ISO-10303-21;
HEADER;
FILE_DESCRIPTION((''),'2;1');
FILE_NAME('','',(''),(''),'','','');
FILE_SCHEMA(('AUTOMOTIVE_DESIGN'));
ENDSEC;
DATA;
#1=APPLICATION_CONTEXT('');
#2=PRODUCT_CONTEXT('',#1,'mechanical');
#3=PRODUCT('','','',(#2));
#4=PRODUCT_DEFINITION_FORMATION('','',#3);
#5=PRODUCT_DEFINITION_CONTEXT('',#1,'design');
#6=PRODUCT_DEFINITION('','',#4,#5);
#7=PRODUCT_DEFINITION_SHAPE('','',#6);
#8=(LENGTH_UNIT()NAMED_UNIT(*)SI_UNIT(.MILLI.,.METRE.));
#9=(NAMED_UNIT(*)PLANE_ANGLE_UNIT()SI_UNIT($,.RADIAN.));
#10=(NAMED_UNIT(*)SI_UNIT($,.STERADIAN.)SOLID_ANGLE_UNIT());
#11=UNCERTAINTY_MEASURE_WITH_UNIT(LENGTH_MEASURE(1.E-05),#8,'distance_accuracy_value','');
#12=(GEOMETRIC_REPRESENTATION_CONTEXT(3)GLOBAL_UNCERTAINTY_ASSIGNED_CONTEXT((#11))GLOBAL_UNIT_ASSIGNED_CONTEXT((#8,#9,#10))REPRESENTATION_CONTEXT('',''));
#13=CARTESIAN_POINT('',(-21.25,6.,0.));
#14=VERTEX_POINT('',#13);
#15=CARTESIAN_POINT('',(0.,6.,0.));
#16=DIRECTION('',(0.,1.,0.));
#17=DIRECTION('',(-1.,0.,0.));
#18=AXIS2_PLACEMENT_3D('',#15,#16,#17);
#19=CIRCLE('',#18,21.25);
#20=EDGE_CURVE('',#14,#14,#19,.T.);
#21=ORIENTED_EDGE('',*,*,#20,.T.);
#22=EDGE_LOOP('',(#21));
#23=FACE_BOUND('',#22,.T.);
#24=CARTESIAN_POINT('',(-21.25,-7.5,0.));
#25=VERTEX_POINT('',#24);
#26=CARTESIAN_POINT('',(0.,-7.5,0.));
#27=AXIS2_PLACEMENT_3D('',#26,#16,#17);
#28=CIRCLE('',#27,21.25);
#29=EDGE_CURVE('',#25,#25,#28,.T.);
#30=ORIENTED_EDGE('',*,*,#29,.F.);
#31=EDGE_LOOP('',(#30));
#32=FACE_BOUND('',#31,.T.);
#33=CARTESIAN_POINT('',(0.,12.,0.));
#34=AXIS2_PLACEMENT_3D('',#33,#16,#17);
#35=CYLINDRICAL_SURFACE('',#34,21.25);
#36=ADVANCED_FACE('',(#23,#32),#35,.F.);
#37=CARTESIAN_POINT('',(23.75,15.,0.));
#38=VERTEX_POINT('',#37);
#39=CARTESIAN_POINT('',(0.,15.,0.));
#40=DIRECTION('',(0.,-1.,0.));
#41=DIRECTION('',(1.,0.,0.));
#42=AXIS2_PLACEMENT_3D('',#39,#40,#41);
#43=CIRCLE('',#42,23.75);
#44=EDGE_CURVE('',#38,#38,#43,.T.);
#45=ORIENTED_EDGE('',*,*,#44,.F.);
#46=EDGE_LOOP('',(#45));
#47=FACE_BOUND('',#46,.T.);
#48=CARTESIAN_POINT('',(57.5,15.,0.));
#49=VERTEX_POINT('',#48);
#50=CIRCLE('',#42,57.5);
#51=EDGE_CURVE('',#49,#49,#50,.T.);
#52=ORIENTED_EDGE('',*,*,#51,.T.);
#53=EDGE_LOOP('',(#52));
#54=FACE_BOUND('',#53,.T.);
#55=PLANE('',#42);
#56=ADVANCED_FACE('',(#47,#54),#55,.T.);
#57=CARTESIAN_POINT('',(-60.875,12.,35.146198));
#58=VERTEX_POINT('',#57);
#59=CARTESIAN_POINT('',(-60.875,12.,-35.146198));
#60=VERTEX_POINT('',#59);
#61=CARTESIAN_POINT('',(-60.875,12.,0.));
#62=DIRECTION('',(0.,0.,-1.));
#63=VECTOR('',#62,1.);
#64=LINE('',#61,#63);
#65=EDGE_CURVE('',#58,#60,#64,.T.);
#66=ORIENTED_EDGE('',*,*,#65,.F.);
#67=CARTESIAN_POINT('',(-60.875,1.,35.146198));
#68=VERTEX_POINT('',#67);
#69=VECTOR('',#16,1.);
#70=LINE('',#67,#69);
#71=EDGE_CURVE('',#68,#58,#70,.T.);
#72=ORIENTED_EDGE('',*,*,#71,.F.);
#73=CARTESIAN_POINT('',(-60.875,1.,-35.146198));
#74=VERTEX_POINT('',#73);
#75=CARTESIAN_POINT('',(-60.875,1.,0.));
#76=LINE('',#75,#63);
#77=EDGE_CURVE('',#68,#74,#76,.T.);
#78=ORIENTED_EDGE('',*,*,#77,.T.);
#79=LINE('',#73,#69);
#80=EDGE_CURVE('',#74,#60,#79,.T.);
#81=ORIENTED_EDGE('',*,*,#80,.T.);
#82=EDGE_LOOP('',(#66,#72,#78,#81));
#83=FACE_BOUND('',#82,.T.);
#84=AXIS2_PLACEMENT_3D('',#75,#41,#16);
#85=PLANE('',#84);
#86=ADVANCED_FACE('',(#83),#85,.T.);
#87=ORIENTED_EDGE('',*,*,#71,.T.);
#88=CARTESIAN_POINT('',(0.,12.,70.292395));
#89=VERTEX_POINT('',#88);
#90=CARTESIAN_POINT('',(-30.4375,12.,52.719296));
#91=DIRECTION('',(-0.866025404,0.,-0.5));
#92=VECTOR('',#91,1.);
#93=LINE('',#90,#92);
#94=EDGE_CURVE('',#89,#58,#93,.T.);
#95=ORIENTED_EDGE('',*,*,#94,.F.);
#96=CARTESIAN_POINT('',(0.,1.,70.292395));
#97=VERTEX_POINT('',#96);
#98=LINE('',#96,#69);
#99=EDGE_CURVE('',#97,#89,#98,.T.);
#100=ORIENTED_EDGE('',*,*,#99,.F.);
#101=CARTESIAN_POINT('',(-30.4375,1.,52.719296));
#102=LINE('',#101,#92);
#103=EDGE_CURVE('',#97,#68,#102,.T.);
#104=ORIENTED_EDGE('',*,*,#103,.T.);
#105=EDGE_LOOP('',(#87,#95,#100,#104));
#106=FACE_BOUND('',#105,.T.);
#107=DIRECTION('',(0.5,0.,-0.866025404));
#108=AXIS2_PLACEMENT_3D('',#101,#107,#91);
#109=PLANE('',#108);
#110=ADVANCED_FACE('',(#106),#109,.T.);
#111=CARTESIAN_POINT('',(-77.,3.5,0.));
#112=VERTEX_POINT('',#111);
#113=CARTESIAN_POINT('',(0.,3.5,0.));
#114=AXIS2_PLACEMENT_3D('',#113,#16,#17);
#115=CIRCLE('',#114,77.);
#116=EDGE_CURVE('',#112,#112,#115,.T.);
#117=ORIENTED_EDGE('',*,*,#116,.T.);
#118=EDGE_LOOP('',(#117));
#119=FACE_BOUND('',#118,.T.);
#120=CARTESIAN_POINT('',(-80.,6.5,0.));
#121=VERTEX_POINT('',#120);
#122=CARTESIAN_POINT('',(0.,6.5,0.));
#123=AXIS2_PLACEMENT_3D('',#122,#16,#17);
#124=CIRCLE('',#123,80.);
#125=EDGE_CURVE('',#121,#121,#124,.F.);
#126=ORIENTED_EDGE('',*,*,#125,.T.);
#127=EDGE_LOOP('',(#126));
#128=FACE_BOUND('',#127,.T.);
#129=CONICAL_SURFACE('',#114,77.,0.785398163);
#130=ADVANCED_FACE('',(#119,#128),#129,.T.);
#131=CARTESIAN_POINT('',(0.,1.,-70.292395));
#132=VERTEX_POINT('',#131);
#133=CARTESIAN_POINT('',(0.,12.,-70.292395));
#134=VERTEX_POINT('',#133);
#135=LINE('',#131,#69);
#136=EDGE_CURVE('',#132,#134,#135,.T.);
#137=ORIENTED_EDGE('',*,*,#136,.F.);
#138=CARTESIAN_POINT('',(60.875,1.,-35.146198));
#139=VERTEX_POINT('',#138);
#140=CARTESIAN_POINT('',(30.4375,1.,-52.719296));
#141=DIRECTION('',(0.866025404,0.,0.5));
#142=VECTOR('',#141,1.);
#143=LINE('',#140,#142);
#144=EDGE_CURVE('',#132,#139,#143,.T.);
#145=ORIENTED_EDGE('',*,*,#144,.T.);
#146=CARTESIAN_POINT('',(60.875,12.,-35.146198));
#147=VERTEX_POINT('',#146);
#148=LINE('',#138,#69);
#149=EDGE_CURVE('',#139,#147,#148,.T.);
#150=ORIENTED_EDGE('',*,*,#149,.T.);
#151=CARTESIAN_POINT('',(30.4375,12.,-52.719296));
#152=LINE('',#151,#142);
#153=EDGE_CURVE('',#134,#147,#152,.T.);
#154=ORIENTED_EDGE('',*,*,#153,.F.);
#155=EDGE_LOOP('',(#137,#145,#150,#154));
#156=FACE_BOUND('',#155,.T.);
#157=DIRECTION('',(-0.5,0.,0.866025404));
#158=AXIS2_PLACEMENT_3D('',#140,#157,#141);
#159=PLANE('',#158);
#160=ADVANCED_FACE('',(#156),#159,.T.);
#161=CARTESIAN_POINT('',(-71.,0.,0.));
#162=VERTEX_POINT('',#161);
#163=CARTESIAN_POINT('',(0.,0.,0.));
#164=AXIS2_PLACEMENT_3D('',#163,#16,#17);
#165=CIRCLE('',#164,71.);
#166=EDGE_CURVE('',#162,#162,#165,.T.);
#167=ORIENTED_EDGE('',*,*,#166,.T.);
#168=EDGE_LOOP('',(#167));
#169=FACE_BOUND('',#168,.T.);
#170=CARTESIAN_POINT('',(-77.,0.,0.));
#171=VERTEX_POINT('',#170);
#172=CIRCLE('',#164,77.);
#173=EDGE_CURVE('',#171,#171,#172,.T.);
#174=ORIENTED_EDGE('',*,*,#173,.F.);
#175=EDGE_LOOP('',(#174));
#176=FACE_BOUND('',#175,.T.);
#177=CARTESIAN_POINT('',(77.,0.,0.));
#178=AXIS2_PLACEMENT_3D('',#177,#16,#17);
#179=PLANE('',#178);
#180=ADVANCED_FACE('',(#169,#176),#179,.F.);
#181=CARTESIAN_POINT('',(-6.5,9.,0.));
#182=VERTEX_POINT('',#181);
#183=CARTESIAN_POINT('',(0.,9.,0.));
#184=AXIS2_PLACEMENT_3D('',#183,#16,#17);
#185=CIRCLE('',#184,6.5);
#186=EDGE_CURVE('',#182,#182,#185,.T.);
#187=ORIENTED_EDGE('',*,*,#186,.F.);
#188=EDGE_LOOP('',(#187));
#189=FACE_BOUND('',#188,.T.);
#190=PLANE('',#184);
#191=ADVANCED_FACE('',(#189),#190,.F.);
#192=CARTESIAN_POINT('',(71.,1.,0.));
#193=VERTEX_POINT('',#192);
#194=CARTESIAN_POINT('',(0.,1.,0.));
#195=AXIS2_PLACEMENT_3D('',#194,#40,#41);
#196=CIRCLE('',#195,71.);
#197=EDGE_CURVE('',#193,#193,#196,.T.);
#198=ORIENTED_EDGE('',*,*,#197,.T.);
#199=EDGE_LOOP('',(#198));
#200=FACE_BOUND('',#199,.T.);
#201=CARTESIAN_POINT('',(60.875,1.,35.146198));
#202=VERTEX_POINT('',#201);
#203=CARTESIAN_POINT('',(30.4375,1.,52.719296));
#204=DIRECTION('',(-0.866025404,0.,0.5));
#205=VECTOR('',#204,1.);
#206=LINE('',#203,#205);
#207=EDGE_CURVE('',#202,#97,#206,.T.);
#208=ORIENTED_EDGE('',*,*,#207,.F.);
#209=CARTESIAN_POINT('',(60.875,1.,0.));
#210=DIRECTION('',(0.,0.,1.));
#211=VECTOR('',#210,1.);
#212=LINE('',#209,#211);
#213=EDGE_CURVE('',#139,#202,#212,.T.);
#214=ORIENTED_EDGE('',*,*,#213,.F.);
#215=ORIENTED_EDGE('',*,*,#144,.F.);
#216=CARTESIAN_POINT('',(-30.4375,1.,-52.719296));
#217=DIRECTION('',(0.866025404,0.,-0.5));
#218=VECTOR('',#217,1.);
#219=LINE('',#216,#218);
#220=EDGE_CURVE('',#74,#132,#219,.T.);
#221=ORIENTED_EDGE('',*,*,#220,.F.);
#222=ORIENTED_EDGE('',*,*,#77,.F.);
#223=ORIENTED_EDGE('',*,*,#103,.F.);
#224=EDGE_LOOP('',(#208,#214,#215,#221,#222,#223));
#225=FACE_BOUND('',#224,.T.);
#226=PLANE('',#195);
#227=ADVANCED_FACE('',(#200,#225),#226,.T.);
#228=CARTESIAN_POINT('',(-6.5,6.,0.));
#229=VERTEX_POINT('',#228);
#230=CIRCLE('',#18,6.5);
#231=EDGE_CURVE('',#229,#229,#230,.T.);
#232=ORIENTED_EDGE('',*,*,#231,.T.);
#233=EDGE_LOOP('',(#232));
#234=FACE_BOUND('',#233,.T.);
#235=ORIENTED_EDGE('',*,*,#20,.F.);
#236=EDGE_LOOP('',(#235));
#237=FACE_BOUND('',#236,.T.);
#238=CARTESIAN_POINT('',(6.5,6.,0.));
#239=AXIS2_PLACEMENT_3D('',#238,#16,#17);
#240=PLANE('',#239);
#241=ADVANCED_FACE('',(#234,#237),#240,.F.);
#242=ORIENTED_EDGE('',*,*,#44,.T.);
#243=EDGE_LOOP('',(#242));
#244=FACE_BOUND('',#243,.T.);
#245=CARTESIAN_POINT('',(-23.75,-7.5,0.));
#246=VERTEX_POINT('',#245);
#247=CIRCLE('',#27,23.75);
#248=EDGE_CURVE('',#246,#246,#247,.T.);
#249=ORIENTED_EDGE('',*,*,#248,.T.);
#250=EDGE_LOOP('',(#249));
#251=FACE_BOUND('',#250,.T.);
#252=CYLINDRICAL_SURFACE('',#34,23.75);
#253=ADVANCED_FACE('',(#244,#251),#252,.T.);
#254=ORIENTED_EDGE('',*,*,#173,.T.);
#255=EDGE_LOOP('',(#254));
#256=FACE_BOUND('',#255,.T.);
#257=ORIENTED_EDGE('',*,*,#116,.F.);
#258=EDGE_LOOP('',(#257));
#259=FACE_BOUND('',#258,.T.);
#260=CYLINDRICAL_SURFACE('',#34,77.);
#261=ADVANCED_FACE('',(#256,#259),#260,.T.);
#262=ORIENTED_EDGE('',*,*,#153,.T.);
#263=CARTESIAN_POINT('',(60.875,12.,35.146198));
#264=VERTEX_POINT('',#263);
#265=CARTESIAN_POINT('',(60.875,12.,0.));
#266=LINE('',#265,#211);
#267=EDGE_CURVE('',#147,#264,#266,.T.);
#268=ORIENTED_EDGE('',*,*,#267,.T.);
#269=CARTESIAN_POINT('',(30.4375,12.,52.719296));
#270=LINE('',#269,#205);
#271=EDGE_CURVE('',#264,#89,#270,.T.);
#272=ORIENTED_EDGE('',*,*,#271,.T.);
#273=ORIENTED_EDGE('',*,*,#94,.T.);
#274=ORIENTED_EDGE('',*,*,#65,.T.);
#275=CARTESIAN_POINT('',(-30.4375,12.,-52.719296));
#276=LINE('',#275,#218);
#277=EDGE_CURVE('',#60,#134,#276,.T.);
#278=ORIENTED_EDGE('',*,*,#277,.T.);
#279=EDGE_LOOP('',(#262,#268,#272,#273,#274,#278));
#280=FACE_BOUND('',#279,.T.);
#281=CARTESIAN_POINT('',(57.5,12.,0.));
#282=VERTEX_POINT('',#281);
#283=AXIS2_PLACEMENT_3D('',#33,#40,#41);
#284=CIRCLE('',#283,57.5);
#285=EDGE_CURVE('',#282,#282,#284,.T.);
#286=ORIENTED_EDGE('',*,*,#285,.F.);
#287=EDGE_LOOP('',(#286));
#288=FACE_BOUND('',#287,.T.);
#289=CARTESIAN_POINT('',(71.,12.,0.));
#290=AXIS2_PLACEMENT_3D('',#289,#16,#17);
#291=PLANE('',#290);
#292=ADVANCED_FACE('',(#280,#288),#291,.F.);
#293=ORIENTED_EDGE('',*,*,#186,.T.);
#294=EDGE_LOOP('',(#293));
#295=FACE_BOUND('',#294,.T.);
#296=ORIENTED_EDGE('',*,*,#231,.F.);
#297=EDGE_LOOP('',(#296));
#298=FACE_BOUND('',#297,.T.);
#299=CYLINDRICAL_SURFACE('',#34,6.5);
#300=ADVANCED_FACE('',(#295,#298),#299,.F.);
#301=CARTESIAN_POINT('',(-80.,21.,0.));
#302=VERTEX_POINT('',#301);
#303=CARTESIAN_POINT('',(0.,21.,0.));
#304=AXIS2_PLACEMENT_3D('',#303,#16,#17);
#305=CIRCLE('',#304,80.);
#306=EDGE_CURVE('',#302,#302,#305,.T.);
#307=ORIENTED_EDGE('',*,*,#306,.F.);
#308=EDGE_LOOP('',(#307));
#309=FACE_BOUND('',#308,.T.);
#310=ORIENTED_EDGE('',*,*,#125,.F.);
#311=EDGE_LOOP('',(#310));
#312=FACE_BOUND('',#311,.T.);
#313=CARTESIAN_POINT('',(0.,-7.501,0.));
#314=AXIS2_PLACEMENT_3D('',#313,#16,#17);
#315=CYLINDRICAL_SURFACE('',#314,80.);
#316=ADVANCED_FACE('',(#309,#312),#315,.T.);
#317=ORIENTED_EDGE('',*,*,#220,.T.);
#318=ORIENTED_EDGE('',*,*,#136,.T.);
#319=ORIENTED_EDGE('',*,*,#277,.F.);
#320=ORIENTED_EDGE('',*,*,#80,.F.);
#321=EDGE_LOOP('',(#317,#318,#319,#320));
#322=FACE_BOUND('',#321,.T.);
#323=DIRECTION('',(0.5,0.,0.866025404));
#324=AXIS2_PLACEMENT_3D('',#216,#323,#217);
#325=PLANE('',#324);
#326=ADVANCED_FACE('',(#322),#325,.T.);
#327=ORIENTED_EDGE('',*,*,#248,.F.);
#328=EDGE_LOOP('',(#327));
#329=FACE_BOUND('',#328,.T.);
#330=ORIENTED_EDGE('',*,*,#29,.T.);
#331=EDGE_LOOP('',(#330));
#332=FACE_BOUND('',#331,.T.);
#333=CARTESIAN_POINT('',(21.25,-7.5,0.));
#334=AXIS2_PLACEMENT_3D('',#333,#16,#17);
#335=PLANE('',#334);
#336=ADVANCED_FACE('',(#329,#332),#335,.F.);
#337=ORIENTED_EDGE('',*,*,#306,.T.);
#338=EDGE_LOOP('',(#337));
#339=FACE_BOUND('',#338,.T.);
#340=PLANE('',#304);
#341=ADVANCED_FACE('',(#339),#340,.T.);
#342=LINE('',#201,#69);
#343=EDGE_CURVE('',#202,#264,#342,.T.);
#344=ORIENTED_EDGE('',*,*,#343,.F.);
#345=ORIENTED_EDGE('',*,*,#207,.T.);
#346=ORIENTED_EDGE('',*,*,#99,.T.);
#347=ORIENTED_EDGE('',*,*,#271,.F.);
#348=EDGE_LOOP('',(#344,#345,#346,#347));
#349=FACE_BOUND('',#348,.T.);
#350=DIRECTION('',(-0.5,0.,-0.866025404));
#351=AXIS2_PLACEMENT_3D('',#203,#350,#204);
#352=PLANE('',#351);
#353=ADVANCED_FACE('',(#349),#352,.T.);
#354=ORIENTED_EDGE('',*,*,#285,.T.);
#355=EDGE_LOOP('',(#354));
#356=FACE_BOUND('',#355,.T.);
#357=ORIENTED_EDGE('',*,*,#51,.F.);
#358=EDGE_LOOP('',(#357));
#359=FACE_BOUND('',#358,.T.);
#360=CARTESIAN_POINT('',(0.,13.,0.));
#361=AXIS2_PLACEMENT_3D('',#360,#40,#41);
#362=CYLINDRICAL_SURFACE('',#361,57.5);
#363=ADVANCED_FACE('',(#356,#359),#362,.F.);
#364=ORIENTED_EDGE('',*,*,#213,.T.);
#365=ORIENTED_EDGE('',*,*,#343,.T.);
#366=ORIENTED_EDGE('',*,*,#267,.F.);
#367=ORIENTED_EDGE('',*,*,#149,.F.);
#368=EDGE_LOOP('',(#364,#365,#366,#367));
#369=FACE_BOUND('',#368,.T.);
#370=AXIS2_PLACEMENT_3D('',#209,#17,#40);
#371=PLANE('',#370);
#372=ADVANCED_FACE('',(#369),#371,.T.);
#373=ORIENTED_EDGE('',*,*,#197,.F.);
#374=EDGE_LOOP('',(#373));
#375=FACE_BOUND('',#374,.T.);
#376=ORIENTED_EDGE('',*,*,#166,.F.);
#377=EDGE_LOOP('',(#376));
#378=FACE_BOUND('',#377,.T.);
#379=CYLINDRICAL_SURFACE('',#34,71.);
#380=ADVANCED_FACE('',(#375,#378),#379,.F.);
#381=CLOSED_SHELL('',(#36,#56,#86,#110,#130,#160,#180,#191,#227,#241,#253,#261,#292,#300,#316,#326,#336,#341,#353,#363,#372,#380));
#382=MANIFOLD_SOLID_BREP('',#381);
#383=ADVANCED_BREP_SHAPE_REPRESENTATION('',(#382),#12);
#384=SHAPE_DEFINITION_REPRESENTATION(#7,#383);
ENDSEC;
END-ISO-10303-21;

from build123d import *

# Parameters (mm, degrees)
SKETCH2_R            = 71
BOSS_EXTRUDE1_DEPTH  = 11
SKETCH12_R           = 57.5
SKETCH12_R_2         = 23.75
CUT_EXTRUDE8_DEPTH   = 1
CUT_EXTRUDE9_START   = -10
SKETCH10_R           = 85
SKETCH10_R_2         = 81
CUT_EXTRUDE9_DEPTH   = 10
SKETCH14_R           = 57.5
SKETCH14_R_2         = 23.75
BOSS_EXTRUDE2_DEPTH  = 1
SKETCH15_R           = 81
BOSS_EXTRUDE3_DEPTH  = 4
SKETCH16_R           = 57.5
SKETCH16_R_2         = 23.75
CUT_EXTRUDE11_DEPTH  = 2
SKETCH17_W           = 29
SKETCH17_H           = 10.11
SKETCH17_H_2         = 35.11
BOSS_EXTRUDE4_DEPTH  = 3
SKETCH19_R           = 80.970867582
BOSS_EXTRUDE5_DEPTH  = 2
BOSS_EXTRUDE6_START  = -3
SKETCH20_R           = 80.970867582
BOSS_EXTRUDE6_DEPTH  = 3
SKETCH21_W           = 29
SKETCH21_H           = 45.22
BOSS_EXTRUDE7_DEPTH  = 4
BOSS_EXTRUDE9_DEPTH  = 5
CUT_EXTRUDE12_START  = -5
SKETCH26_R           = 80.970867582
CUT_EXTRUDE12_DEPTH  = 5
BOSS_EXTRUDE10_START = -4
SKETCH27_R           = 80.970867582
BOSS_EXTRUDE10_DEPTH = 4
CUT_EXTRUDE15_REACH  = 120.043
SKETCH28_R           = 80.970867582
SKETCH28_R_2         = 80


with BuildPart() as part:
    # Sketch1 → Revolve1 (revolve)
    with BuildSketch(Plane.XY, mode=Mode.PRIVATE) as revolve1_sk:
        Polygon((0, 12), (0, 15), (85, 15), (85, 10.5), (84, 10.5), (77, 3.5), (77, 0), (71, 0), (71, 12), (23.75, 12), (23.75, -7.5), (21.25, -7.5), (21.25, 6), (6.5, 6), (6.5, 9), (0, 9), align=None)
    revolve(revolve1_sk.sketch.rotate(Axis((0, 12, 0), (0, -1, 0)), 180), axis=Axis((0, 12, 0), (0, -1, 0)))

    # Sketch2 → Boss-Extrude1 (add)
    with BuildSketch(Plane.XZ.offset(-12)):
        with Locations(Location((0, 0, 0), (0, 0, 180))):
            Circle(SKETCH2_R)
        Polygon((0, 70.292395274), (-60.875, 35.146197637), (-60.875, -35.146197637), (0, -70.292395274), (60.875, -35.146197637), (60.875, 35.146197637), align=None, mode=Mode.SUBTRACT)
    extrude(amount=BOSS_EXTRUDE1_DEPTH)

    # Sketch12 → Cut-Extrude8 (cut)
    with BuildSketch(Plane.XZ.offset(-12)):
        Circle(SKETCH12_R)
        with Locations(Location((0, 0, 0), (0, 0, 180))):
            Circle(SKETCH12_R_2, mode=Mode.SUBTRACT)
    extrude(amount=-CUT_EXTRUDE8_DEPTH, mode=Mode.SUBTRACT)

    # Sketch10 → Cut-Extrude9 (cut)
    with BuildSketch(Plane(origin=(0, 15, 0), x_dir=(1, 0, 0), z_dir=(0, 1, 0)).offset(CUT_EXTRUDE9_START)):
        Circle(SKETCH10_R)
        with Locations(Location((0, 0, 0), (0, 0, 180))):
            Circle(SKETCH10_R_2, mode=Mode.SUBTRACT)
    extrude(amount=CUT_EXTRUDE9_DEPTH, mode=Mode.SUBTRACT)

    # Sketch14 → Boss-Extrude2 (add)
    with BuildSketch(Plane(origin=(0, 13, 0), x_dir=(-1, 0, 0), z_dir=(0, -1, 0))):
        with Locations(Location((0, 0, 0), (0, 0, 180))):
            Circle(SKETCH14_R)
        Circle(SKETCH14_R_2, mode=Mode.SUBTRACT)
    extrude(amount=-BOSS_EXTRUDE2_DEPTH)

    # Sketch15 → Boss-Extrude3 (add)
    with BuildSketch(Plane(origin=(0, 15, 0), x_dir=(1, 0, 0), z_dir=(0, 1, 0))):
        with Locations(Location((0, 0, 0), (0, 0, 180))):
            Circle(SKETCH15_R)
    extrude(amount=BOSS_EXTRUDE3_DEPTH)

    # Sketch16 → Cut-Extrude11 (cut)
    with BuildSketch(Plane.XZ.offset(-13)):
        Circle(SKETCH16_R)
        with Locations(Location((0, 0, 0), (0, 0, 180))):
            Circle(SKETCH16_R_2, mode=Mode.SUBTRACT)
    extrude(amount=-CUT_EXTRUDE11_DEPTH, mode=Mode.SUBTRACT)

    # Sketch17 → Boss-Extrude4 (add)
    with BuildSketch(Plane(origin=(0, 19, 0), x_dir=(1, 0, 0), z_dir=(0, 1, 0))):
        with Locations((-48.833648901, -5.055)):
            Rectangle(SKETCH17_W, SKETCH17_H)
        with Locations((-48.833648901, 17.555)):
            Rectangle(SKETCH17_W, SKETCH17_H_2)
        with Locations((48.416351099, -5.055)):
            Rectangle(SKETCH17_W, SKETCH17_H)
        with Locations((48.416351099, 17.555)):
            Rectangle(SKETCH17_W, SKETCH17_H_2)
    extrude(amount=BOSS_EXTRUDE4_DEPTH)

    # Sketch19 → Boss-Extrude5 (add)
    with BuildSketch(Plane(origin=(0, 19, 0), x_dir=(1, 0, 0), z_dir=(0, 1, 0))):
        with Locations(Location((0, 0, 0), (0, 0, 180))):
            Circle(SKETCH19_R)
    extrude(amount=BOSS_EXTRUDE5_DEPTH)

    # Sketch20 → Boss-Extrude6 (add)
    with BuildSketch(Plane(origin=(0, 21, 0), x_dir=(1, 0, 0), z_dir=(0, 1, 0)).offset(BOSS_EXTRUDE6_START)):
        with Locations(Location((0, 0, 0), (0, 0, 180))):
            Circle(SKETCH20_R)
    extrude(amount=BOSS_EXTRUDE6_DEPTH)

    # Sketch21 → Boss-Extrude7 (add)
    with BuildSketch(Plane(origin=(0, 22, 0), x_dir=(1, 0, 0), z_dir=(0, 1, 0))):
        with Locations((48.416351099, 12.5)):
            Rectangle(SKETCH21_W, SKETCH21_H)
        with Locations((-48.833648901, 12.5)):
            Rectangle(SKETCH21_W, SKETCH21_H)
    extrude(amount=BOSS_EXTRUDE7_DEPTH)

    # Sketch22 → Boss-Extrude9 (add)
    with BuildSketch(Plane(origin=(0, 21, 0), x_dir=(1, 0, 0), z_dir=(0, 1, 0))):
        Polygon((48.416351099, 35.11), (37.416351099, 35.11), (37.416351099, 50.11), (59.416351099, 50.11), (59.416351099, 35.11), align=None)
    extrude(amount=BOSS_EXTRUDE9_DEPTH)

    # Sketch26 → Cut-Extrude12 (cut)
    with BuildSketch(Plane(origin=(0, 26, 0), x_dir=(1, 0, 0), z_dir=(0, 1, 0)).offset(CUT_EXTRUDE12_START)):
        with Locations(Location((0, 0, 0), (0, 0, 180))):
            Circle(SKETCH26_R)
    extrude(amount=CUT_EXTRUDE12_DEPTH, mode=Mode.SUBTRACT)

    # Sketch27 → Boss-Extrude10 (add)
    with BuildSketch(Plane(origin=(0, 21, 0), x_dir=(1, 0, 0), z_dir=(0, 1, 0)).offset(BOSS_EXTRUDE10_START)):
        with Locations(Location((0, 0, 0), (0, 0, 180))):
            Circle(SKETCH27_R)
    extrude(amount=BOSS_EXTRUDE10_DEPTH)

    # Cut-Extrude15: up to this cone (the profile starts inside it)
    cut_extrude15_end = Plane(origin=(0, 21, 0), z_dir=(0, 1, 0)).offset(-94.499999) * Cone(1e-06, 309.543, 309.542999, align=(Align.CENTER, Align.CENTER, Align.MIN), mode=Mode.PRIVATE)
    # Sketch28 → Cut-Extrude15 (cut, up to the surface)
    with BuildSketch(Plane(origin=(0, 21, 0), x_dir=(1, 0, 0), z_dir=(0, 1, 0)), mode=Mode.PRIVATE) as cut_extrude15_sk1:
        Circle(SKETCH28_R)
        with Locations(Location((0, 0, 0), (0, 0, 180))):
            Circle(SKETCH28_R_2, mode=Mode.SUBTRACT)
    cut_extrude15_tool1 = extrude(cut_extrude15_sk1.sketch, amount=-CUT_EXTRUDE15_REACH, mode=Mode.PRIVATE) & cut_extrude15_end
    add(cut_extrude15_tool1.solids().sort_by_distance((-80.741847, 21, 0))[0], mode=Mode.SUBTRACT)


with BuildPart() as body_2:
    # of the pieces the cut leaves, the one that is kept (cut_extrude15_keep)
    add(part.part.solids().sort_by_distance((-80, 6.5, 0))[0])


solid = body_2.part
